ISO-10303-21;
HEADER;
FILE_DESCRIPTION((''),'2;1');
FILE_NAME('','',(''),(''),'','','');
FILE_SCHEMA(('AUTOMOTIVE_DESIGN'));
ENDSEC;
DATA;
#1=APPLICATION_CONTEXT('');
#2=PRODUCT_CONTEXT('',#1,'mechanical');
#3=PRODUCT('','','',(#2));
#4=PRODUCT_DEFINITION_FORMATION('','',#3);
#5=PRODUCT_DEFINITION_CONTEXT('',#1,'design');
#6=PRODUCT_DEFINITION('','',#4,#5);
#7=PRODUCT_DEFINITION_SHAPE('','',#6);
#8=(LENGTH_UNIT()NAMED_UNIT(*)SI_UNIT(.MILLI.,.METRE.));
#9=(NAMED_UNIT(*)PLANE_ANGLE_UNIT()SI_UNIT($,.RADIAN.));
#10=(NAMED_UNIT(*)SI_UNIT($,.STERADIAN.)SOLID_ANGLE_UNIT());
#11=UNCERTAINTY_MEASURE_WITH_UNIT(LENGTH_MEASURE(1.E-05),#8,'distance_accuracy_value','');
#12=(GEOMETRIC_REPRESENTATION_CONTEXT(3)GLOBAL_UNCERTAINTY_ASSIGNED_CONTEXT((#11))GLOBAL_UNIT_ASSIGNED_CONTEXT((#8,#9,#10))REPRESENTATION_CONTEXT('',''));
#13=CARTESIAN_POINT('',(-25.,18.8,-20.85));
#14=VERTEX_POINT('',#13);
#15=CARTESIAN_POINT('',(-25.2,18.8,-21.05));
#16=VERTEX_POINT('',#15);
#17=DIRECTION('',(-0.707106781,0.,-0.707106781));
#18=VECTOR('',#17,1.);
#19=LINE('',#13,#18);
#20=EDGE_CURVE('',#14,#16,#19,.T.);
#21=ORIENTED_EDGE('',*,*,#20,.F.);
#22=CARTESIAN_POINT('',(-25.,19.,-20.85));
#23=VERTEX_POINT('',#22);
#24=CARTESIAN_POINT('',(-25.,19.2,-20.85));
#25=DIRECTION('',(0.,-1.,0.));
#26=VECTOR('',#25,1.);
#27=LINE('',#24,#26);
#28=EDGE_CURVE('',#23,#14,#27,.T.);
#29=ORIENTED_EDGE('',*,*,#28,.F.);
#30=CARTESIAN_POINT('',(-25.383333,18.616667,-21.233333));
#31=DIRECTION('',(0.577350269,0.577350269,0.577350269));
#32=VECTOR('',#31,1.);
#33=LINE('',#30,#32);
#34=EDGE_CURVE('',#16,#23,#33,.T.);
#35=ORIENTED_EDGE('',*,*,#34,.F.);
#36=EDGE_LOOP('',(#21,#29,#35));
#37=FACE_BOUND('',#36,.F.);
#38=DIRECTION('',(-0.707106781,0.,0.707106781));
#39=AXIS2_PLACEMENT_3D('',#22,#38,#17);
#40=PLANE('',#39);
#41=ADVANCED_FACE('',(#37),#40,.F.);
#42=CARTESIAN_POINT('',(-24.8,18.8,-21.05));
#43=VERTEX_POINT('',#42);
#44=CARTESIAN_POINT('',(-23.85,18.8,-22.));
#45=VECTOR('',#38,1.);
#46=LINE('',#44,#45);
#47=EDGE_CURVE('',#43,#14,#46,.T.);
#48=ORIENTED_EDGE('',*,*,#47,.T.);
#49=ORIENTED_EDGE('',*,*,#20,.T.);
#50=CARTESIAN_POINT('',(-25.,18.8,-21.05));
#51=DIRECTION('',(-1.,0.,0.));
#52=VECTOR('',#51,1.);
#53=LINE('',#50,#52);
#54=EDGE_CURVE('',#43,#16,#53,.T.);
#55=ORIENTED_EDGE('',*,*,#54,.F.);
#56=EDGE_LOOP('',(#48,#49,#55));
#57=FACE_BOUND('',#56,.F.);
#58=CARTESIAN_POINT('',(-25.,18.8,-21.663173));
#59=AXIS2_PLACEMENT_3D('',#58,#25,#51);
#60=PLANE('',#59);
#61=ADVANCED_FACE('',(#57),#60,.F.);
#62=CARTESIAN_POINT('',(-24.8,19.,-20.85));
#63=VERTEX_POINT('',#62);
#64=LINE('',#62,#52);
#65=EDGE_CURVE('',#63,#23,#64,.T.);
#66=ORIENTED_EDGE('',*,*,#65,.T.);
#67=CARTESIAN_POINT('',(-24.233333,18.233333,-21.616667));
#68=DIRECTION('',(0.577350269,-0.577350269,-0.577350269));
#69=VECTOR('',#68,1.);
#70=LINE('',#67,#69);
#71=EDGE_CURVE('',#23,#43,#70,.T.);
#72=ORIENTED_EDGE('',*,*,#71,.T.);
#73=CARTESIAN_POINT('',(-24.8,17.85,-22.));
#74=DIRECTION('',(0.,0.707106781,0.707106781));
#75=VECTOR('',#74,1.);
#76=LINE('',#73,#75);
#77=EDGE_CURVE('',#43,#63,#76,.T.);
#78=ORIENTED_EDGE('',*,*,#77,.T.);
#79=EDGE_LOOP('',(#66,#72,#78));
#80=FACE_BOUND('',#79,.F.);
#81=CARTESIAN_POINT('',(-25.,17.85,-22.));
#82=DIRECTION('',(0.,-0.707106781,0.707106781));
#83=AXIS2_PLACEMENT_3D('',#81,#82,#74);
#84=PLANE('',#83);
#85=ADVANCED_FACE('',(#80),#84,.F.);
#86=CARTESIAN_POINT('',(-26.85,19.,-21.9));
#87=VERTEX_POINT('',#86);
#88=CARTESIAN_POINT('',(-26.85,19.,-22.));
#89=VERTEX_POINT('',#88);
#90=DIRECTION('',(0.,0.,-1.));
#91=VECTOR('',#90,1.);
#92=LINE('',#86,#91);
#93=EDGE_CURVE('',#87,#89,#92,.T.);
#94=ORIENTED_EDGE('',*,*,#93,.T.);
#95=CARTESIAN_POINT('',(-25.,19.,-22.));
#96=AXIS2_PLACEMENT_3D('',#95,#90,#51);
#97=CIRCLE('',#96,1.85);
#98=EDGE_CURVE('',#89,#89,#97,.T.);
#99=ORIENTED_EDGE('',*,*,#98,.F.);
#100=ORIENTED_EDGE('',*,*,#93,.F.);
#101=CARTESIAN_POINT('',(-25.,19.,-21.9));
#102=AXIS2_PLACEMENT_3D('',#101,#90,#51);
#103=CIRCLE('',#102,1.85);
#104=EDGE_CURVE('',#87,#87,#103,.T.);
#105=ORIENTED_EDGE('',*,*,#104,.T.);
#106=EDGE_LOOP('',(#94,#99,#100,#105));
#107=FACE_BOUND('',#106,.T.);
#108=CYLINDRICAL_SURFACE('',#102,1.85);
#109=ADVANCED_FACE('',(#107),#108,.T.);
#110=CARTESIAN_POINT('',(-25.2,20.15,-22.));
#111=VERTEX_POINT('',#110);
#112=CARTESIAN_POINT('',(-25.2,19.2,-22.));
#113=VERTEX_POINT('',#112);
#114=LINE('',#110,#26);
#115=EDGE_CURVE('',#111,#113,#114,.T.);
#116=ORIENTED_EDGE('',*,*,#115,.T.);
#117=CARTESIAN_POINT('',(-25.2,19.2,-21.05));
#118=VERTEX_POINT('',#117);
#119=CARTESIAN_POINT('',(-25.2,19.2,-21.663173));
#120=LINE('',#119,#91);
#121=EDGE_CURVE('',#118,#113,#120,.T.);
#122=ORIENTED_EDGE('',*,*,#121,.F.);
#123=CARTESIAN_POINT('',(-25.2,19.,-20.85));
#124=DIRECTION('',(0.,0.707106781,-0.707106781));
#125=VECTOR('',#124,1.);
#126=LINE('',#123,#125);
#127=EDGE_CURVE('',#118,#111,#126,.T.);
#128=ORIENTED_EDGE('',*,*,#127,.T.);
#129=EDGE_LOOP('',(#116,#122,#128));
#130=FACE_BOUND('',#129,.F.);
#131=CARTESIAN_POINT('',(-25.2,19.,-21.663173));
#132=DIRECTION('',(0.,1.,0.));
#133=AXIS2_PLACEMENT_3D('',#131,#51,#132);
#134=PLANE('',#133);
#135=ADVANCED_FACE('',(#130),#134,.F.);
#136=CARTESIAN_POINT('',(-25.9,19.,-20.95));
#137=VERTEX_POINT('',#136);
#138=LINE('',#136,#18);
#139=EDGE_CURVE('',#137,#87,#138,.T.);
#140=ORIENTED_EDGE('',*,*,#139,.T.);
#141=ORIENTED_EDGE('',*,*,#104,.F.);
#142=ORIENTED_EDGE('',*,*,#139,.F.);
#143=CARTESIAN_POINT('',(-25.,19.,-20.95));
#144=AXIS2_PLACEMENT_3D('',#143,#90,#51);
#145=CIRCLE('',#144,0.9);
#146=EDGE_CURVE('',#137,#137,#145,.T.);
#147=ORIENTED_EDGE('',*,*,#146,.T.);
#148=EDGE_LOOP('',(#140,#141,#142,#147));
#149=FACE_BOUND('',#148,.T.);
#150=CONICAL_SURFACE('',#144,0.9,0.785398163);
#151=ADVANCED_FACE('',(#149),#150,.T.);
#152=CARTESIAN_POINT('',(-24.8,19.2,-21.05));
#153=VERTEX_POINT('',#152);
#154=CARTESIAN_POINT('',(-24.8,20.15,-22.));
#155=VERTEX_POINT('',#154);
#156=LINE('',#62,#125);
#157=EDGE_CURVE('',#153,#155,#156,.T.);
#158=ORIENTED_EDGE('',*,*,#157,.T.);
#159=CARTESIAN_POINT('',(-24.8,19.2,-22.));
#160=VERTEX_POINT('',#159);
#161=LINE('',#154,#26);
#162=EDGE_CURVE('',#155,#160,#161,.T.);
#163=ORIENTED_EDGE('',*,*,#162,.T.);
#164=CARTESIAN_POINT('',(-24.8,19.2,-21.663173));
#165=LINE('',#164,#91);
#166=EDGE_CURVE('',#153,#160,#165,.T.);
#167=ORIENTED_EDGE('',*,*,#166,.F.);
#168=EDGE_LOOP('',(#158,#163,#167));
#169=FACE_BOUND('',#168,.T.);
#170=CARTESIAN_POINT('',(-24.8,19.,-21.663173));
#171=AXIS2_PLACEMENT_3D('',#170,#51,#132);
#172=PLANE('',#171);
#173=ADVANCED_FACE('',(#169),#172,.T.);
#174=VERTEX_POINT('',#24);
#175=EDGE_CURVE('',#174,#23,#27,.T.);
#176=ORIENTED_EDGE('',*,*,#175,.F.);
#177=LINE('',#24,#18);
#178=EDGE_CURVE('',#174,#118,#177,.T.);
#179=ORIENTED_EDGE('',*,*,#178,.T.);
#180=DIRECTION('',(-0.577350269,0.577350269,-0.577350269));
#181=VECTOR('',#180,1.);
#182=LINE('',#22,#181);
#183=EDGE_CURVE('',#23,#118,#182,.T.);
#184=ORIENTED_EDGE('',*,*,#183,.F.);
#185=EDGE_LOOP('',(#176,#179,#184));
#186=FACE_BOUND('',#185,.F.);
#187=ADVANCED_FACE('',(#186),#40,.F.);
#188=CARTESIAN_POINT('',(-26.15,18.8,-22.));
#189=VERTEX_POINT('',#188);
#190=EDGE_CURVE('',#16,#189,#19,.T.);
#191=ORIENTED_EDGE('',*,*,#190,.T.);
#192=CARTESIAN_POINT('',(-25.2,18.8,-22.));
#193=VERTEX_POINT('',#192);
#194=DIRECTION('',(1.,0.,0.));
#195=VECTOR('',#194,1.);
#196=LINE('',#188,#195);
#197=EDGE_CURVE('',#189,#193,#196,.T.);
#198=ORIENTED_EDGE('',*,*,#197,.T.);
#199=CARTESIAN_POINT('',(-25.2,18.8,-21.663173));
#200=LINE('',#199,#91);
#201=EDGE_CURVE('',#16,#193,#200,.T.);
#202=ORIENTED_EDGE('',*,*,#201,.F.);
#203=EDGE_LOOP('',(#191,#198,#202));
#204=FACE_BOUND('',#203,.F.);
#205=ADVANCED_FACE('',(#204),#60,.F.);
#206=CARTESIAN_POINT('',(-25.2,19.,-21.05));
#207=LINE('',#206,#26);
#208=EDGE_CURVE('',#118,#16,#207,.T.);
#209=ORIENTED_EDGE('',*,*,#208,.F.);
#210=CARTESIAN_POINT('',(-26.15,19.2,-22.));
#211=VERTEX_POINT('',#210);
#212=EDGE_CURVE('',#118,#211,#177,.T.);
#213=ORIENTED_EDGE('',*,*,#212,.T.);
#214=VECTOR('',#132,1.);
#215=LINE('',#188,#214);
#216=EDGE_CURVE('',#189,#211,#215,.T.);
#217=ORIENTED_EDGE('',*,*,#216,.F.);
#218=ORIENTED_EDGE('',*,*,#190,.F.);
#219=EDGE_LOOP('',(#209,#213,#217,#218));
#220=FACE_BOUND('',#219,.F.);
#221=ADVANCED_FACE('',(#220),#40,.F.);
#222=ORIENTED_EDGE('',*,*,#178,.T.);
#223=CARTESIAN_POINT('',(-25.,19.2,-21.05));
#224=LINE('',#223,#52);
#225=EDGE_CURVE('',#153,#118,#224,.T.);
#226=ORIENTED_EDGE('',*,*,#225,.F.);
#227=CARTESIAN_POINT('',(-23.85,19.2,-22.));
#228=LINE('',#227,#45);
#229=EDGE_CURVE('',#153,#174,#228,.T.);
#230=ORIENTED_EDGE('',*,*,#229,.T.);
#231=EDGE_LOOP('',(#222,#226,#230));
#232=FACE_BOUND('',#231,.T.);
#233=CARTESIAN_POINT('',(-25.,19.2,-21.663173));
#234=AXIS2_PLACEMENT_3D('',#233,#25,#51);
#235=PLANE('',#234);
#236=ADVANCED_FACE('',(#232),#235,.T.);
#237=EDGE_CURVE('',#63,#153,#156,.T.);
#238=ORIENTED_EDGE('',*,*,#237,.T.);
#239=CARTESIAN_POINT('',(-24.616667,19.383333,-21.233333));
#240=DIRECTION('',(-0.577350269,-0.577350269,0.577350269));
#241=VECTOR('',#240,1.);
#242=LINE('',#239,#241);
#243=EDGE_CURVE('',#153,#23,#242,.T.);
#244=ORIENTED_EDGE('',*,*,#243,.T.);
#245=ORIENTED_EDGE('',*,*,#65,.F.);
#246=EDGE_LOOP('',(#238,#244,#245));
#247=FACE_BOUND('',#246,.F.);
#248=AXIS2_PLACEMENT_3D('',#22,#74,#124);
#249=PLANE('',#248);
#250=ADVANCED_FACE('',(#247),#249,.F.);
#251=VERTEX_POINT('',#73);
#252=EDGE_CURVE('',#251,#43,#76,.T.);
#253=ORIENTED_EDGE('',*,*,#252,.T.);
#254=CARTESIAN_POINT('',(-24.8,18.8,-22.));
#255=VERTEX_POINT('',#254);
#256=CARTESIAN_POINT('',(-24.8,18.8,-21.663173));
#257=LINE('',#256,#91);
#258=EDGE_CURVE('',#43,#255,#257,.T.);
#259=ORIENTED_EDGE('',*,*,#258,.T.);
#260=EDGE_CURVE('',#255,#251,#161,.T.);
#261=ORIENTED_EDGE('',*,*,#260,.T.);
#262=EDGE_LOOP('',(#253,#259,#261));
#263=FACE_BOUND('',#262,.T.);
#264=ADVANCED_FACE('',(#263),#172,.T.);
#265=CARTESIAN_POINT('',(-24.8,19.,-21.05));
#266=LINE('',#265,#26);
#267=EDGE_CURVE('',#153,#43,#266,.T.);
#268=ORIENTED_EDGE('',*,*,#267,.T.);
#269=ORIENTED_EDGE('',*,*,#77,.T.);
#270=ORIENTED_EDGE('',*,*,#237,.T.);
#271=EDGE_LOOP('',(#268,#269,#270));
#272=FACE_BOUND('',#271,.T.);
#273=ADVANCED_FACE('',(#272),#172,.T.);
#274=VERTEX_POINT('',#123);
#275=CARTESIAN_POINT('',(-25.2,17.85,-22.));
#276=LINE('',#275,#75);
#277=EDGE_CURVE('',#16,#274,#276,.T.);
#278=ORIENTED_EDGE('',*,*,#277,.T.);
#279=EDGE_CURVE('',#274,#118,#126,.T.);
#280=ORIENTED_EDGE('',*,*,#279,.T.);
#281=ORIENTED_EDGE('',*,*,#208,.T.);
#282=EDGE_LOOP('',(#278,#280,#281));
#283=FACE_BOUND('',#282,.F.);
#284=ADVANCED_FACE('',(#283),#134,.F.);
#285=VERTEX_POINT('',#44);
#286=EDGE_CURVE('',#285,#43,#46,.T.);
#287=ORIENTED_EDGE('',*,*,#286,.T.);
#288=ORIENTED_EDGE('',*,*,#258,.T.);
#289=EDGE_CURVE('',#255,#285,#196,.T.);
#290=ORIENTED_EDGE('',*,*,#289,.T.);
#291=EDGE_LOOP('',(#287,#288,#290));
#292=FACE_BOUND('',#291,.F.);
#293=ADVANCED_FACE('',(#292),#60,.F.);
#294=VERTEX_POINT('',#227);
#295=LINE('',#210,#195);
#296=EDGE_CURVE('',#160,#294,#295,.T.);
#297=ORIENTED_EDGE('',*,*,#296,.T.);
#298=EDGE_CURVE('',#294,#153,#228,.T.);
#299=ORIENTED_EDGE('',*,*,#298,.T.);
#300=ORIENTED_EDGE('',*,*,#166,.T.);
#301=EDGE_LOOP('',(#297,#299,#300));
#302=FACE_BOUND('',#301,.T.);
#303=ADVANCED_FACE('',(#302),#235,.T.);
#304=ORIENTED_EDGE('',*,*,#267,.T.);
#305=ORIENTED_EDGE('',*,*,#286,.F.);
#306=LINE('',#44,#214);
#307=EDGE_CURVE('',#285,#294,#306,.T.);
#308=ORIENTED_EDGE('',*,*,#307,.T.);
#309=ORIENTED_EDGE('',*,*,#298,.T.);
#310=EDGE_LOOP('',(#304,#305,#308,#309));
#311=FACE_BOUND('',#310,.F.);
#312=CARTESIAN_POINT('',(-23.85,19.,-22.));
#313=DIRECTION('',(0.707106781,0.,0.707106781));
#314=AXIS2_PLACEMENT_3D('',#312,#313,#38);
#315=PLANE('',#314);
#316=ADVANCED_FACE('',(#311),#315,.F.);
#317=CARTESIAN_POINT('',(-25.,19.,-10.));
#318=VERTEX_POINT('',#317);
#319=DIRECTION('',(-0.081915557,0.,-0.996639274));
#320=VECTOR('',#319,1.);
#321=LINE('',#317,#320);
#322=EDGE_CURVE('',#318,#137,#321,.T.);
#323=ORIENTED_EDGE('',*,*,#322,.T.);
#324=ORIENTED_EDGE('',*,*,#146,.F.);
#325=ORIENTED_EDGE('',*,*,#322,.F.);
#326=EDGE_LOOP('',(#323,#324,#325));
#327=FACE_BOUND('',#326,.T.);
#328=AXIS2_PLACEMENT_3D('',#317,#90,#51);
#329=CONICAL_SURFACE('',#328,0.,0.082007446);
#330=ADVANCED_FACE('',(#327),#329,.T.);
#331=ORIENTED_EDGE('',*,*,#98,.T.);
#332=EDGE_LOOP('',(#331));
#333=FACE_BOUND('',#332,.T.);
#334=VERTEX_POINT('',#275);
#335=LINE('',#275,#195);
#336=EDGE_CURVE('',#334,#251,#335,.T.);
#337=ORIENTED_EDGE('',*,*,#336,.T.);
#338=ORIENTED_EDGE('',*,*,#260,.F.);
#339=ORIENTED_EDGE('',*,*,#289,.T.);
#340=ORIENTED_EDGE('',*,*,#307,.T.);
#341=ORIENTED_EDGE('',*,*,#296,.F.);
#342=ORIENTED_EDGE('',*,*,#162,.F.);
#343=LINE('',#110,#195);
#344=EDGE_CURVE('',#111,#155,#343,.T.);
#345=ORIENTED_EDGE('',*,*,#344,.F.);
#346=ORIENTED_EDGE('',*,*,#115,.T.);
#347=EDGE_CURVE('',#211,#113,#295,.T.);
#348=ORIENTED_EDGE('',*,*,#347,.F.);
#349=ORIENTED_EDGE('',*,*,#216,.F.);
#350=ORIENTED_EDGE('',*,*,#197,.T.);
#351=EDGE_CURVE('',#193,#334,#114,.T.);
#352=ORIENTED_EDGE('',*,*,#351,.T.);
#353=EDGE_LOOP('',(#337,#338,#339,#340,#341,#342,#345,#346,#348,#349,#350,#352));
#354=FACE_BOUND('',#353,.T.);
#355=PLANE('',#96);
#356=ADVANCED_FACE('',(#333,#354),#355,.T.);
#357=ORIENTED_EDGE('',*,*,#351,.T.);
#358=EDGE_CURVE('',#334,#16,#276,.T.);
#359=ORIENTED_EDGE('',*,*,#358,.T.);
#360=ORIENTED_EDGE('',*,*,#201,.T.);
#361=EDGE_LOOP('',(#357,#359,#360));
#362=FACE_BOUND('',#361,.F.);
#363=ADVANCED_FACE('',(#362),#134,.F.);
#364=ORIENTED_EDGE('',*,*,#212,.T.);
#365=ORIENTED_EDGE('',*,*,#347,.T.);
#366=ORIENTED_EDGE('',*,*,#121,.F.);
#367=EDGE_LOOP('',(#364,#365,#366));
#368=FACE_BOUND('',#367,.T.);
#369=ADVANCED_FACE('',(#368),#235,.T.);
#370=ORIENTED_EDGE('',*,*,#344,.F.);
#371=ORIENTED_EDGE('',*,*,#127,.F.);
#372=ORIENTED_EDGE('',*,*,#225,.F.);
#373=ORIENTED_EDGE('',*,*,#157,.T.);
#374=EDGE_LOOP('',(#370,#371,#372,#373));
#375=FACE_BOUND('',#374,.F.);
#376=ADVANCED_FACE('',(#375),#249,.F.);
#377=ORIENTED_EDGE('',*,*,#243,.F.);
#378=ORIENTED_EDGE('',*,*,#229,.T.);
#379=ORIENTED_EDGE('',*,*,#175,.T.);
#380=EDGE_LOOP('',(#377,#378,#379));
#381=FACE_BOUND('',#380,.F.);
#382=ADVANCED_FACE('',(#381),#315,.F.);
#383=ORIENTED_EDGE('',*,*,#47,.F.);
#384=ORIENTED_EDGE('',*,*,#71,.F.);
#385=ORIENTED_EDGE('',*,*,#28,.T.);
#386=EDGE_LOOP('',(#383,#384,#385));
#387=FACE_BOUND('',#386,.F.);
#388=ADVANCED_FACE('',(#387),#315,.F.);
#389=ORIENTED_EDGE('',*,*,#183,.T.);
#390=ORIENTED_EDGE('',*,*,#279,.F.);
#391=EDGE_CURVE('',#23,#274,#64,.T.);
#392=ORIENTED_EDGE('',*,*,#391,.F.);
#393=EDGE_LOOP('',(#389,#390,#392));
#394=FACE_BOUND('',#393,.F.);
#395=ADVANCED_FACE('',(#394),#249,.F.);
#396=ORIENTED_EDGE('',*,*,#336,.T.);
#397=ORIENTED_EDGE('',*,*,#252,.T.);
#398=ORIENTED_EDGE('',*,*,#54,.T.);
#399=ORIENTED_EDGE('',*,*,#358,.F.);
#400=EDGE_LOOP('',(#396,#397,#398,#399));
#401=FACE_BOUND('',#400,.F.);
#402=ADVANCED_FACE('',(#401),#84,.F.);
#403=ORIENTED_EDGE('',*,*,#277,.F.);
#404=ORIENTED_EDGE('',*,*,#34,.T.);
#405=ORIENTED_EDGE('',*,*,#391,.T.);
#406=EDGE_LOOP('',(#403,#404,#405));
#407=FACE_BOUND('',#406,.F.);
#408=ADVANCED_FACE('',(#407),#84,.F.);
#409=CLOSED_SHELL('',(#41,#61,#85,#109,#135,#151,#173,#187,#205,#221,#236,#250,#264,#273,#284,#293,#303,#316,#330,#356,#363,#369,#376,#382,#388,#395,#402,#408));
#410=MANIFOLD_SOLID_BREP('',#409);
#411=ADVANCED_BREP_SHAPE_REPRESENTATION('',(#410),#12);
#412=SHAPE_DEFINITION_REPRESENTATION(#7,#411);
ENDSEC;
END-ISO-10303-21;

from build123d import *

# Parameters (mm, degrees)
POCKET003_DEPTH         = 0.2
POLARPATTERN003_COUNT   = 2
POLARPATTERN003_ANGLE   = 90
BODY007_PLACEMENT_ANGLE = 180


with BuildPart() as part:
    # Sketch013 → Revolution003 (revolve)
    with BuildSketch(Plane.XZ):
        Polygon((0, 0), (0, -12), (0.9, -1.05), (1.85, -0.1), (1.85, 0), align=None)
    revolve(axis=Axis((0, 0, 0), (0, 0, 1)))

    # Sketch014 → Pocket003 (cut, symmetric)
    with BuildSketch(Plane.XZ):
        Polygon((-1.15, 0), (0, -1.15), (1.15, 0), align=None)
    pocket003 = extrude(amount=POCKET003_DEPTH, both=True, mode=Mode.SUBTRACT)

    # PolarPattern003: Pocket003 ×2 about axis
    polarpattern003_axis = Axis((0, 0, 0), (0, 0, 1))
    for i in range(1, POLARPATTERN003_COUNT):
        add(pocket003.rotate(polarpattern003_axis, i * POLARPATTERN003_ANGLE / (POLARPATTERN003_COUNT - 1)), mode=Mode.SUBTRACT)


with BuildPart() as part_1:
    # Body007 placement: moved
    add(part.part.moved(Location((-25, 19, -22))).rotate(Axis((-25, 19, -22), (0, 1, 0)), BODY007_PLACEMENT_ANGLE))


solid = part_1.part
